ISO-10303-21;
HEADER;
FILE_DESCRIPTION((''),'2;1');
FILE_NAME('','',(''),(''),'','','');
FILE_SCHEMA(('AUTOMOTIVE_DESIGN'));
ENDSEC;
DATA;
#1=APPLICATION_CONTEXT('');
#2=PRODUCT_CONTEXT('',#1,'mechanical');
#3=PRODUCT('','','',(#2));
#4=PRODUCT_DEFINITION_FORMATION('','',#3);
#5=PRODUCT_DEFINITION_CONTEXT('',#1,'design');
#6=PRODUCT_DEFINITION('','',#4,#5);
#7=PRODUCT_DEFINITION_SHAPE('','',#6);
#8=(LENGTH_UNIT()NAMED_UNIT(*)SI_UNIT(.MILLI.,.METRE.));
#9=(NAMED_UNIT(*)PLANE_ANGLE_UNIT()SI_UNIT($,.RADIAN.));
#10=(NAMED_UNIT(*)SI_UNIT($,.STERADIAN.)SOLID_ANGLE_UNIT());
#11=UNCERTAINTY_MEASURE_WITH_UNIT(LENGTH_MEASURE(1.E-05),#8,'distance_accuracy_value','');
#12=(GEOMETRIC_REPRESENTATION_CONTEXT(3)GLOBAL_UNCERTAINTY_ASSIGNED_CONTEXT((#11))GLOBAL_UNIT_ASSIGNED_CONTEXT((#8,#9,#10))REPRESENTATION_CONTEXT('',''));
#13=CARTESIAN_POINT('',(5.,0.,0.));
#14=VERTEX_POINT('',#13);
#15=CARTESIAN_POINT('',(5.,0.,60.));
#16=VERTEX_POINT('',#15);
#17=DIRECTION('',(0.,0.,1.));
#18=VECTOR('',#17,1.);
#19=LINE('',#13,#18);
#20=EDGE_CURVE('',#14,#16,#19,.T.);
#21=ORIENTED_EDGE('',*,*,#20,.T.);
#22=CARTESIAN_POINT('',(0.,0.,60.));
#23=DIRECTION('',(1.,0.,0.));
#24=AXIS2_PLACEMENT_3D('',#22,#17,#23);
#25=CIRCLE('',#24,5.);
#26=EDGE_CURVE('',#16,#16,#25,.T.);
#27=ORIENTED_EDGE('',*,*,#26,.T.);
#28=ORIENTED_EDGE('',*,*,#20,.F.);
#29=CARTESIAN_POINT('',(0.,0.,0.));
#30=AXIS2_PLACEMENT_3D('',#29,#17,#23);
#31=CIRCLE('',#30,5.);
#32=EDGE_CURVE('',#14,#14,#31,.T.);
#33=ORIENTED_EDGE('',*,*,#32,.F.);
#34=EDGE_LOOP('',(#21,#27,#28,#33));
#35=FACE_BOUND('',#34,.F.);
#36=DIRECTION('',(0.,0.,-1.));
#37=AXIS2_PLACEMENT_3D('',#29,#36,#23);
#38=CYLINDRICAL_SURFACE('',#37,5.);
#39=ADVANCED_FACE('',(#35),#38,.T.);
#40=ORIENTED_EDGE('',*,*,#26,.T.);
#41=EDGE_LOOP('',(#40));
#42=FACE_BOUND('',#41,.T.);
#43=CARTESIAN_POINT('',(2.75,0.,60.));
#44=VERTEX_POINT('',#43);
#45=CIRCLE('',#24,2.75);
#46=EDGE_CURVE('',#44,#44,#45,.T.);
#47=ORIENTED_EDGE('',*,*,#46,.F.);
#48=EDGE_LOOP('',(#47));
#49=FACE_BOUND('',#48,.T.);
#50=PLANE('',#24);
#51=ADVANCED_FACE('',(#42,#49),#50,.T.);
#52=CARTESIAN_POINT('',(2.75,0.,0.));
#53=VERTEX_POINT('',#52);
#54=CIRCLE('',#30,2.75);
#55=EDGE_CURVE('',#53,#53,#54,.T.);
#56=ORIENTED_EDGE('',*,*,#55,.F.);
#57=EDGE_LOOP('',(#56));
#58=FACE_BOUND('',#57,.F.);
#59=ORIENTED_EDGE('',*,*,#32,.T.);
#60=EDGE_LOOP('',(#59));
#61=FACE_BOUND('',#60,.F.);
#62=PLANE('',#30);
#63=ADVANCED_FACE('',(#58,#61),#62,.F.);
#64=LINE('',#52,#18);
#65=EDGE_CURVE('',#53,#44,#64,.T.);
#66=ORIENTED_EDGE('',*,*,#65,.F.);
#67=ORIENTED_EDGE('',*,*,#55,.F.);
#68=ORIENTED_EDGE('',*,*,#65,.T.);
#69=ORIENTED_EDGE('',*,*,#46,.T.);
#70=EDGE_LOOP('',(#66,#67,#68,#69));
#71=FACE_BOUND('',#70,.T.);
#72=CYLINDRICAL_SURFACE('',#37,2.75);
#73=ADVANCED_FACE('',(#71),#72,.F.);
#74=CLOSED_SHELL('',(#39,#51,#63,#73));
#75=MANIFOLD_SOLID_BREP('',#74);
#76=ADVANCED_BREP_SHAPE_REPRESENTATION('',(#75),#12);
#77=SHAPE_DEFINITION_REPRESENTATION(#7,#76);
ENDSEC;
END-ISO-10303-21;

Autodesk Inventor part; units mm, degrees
ref_plane "YZ Plane" through (0, 0, 0) normal (1, 0, 0) x (0, 1, 0)
ref_plane "XZ Plane" through (0, 0, 0) normal (0, 1, 0) x (-1, 0, 0)
ref_plane "XY Plane" through (0, 0, 0) normal (0, 0, 1) x (1, 0, 0)
sketch "Skizze1" plane through (0, 0, 0) normal (0, 0, 1) x (1, 0, 0)
  circle A0 centre (0, 0) radius 2.75
  circle A1 centre (0, 0) radius 5
  dimension "d0" = 5.5
  dimension "d1" = 10
extrude "Extrusion1" add sketch "Skizze1" along normal blind 60
properties part number "104.005.01_Distanzbuchse" material "Aluminium 6061"
